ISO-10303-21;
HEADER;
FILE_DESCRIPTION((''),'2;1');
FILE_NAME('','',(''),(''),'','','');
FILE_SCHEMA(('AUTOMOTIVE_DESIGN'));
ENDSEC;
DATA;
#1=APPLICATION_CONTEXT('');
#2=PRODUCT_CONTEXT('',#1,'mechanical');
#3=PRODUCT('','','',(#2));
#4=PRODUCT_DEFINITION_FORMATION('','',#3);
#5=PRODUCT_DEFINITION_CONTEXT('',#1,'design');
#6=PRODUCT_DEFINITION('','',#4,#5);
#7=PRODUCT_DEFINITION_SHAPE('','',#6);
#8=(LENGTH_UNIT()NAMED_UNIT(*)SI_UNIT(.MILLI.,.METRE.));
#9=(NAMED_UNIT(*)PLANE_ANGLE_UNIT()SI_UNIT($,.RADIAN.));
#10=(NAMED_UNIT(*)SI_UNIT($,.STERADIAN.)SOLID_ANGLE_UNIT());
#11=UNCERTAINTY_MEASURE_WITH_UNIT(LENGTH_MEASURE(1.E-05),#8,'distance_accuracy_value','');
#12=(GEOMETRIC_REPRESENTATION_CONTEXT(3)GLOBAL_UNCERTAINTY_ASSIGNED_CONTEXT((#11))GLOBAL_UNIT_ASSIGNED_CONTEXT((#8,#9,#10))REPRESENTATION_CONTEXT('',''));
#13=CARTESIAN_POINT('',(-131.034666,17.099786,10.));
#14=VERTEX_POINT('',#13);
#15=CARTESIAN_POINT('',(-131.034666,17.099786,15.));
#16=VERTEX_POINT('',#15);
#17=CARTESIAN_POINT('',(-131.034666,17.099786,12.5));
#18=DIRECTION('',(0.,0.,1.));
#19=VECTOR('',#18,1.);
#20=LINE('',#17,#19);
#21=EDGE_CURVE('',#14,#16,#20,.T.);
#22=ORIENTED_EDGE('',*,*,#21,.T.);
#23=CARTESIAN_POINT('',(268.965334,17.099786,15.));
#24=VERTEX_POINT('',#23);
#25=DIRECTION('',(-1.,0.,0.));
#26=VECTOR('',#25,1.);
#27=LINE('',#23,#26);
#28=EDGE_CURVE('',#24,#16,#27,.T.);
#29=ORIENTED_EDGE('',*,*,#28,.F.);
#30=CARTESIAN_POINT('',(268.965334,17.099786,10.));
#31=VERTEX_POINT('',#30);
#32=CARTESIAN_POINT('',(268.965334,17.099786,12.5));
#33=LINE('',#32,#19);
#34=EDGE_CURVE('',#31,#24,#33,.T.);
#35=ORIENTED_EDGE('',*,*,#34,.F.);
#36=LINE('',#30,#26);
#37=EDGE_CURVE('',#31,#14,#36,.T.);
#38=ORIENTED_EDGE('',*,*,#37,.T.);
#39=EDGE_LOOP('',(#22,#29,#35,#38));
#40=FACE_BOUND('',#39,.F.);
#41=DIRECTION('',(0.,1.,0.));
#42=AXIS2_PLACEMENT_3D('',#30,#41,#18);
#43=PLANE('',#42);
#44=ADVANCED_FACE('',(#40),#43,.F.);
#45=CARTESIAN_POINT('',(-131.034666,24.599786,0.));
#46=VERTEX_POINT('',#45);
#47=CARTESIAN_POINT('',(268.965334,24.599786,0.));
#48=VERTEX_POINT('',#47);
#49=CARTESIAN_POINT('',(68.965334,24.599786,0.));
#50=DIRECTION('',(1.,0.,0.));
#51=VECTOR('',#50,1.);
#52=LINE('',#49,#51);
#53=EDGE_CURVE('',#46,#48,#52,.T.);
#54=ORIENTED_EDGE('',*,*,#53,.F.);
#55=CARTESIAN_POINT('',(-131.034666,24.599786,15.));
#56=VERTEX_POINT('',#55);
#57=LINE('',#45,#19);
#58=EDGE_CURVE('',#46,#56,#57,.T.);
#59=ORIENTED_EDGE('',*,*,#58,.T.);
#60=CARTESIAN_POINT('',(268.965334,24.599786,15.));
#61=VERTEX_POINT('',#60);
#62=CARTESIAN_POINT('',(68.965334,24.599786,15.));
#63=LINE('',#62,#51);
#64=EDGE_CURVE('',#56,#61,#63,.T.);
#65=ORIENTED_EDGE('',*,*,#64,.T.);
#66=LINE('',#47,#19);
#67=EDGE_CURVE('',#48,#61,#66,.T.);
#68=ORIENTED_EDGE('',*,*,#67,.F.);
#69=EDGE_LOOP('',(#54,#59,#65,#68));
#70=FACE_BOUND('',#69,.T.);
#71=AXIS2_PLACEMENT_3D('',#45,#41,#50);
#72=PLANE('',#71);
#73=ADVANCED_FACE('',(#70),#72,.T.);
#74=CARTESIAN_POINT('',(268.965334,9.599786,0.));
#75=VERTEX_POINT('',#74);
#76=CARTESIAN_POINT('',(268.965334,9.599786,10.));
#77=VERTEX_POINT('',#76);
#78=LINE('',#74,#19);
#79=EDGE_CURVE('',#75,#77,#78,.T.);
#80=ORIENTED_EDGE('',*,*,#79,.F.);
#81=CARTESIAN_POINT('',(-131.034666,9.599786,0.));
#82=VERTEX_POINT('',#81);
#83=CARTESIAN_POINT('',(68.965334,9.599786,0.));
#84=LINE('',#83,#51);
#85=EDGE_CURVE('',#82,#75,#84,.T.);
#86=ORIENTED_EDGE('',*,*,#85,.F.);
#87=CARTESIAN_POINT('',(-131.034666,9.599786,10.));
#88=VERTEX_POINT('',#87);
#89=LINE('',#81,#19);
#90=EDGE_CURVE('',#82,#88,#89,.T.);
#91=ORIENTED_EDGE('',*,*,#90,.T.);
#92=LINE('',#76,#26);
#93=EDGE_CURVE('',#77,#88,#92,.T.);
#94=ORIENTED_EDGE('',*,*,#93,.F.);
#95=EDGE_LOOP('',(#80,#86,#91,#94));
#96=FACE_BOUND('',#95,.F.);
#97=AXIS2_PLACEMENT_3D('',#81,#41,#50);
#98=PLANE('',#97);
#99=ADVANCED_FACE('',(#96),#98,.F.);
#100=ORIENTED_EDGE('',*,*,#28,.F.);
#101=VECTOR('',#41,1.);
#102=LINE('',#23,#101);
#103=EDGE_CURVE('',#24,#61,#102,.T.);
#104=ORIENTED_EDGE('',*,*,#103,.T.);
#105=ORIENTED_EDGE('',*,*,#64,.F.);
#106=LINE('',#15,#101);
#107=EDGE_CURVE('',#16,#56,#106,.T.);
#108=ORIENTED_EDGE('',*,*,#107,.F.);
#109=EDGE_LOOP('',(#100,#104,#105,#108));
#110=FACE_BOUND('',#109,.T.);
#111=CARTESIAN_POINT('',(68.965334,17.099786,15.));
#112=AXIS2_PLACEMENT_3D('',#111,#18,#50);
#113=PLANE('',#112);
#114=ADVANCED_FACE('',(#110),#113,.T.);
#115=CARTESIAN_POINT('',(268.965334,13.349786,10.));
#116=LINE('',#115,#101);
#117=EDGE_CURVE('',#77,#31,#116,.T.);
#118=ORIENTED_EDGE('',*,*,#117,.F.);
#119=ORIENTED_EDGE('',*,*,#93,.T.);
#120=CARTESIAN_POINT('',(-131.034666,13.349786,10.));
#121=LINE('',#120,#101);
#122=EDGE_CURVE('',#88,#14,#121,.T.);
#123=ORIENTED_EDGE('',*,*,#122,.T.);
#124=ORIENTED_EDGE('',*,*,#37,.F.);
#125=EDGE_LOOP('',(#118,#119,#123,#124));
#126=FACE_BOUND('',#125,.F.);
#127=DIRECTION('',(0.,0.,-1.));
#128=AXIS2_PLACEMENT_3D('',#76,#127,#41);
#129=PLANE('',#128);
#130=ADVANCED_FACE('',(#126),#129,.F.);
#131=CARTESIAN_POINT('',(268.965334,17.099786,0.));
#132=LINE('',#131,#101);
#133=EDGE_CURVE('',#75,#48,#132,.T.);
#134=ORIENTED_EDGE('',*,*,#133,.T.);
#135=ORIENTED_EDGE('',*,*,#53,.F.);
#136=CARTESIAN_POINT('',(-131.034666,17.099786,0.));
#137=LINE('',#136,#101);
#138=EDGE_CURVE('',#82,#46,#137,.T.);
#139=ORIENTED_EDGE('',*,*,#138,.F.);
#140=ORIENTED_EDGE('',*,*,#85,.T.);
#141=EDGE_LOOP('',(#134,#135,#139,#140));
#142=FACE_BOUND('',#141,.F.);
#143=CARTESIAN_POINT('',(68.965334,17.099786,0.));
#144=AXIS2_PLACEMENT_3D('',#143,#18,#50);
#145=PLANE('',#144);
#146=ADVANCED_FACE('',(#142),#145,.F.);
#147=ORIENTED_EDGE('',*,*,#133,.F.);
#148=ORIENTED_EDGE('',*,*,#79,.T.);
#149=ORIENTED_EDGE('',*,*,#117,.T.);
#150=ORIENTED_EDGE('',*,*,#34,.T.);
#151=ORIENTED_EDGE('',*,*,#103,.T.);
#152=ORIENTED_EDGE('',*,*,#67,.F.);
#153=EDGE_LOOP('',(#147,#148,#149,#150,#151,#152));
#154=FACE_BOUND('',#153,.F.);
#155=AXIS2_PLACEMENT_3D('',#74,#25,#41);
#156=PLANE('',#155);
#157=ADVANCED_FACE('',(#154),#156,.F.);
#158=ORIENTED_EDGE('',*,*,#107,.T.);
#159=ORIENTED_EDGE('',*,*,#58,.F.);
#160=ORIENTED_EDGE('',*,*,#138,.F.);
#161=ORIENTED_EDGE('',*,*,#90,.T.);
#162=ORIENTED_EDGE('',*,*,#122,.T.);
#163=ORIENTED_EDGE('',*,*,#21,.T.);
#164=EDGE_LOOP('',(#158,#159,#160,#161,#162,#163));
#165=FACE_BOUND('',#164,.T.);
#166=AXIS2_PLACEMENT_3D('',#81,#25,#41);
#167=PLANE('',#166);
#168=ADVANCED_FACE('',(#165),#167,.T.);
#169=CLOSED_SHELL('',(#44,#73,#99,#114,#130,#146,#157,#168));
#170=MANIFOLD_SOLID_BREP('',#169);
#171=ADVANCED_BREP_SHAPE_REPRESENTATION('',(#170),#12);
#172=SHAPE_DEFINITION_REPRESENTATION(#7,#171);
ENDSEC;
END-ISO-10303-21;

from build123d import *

# Parameters (mm, degrees)
F0_W     = 400
F0_H     = 15
F1_DEPTH = 15
F2_W     = 7.5
F2_H     = 5
F3_DEPTH = 400


with BuildPart() as f1:
    # F0 (on Top) → F1 (new body)
    with BuildSketch(Plane.XY):
        with Locations((68.965334, 17.099786)):
            Rectangle(F0_W, F0_H)
    extrude(amount=F1_DEPTH)

    # F2 (on face) → F3 (cut, through all)
    with BuildSketch(Plane.YZ.offset(268.965334)):
        with Locations((13.349786, 12.5)):
            Rectangle(F2_W, F2_H)
    extrude(amount=-F3_DEPTH, mode=Mode.SUBTRACT)


solid = f1.part
